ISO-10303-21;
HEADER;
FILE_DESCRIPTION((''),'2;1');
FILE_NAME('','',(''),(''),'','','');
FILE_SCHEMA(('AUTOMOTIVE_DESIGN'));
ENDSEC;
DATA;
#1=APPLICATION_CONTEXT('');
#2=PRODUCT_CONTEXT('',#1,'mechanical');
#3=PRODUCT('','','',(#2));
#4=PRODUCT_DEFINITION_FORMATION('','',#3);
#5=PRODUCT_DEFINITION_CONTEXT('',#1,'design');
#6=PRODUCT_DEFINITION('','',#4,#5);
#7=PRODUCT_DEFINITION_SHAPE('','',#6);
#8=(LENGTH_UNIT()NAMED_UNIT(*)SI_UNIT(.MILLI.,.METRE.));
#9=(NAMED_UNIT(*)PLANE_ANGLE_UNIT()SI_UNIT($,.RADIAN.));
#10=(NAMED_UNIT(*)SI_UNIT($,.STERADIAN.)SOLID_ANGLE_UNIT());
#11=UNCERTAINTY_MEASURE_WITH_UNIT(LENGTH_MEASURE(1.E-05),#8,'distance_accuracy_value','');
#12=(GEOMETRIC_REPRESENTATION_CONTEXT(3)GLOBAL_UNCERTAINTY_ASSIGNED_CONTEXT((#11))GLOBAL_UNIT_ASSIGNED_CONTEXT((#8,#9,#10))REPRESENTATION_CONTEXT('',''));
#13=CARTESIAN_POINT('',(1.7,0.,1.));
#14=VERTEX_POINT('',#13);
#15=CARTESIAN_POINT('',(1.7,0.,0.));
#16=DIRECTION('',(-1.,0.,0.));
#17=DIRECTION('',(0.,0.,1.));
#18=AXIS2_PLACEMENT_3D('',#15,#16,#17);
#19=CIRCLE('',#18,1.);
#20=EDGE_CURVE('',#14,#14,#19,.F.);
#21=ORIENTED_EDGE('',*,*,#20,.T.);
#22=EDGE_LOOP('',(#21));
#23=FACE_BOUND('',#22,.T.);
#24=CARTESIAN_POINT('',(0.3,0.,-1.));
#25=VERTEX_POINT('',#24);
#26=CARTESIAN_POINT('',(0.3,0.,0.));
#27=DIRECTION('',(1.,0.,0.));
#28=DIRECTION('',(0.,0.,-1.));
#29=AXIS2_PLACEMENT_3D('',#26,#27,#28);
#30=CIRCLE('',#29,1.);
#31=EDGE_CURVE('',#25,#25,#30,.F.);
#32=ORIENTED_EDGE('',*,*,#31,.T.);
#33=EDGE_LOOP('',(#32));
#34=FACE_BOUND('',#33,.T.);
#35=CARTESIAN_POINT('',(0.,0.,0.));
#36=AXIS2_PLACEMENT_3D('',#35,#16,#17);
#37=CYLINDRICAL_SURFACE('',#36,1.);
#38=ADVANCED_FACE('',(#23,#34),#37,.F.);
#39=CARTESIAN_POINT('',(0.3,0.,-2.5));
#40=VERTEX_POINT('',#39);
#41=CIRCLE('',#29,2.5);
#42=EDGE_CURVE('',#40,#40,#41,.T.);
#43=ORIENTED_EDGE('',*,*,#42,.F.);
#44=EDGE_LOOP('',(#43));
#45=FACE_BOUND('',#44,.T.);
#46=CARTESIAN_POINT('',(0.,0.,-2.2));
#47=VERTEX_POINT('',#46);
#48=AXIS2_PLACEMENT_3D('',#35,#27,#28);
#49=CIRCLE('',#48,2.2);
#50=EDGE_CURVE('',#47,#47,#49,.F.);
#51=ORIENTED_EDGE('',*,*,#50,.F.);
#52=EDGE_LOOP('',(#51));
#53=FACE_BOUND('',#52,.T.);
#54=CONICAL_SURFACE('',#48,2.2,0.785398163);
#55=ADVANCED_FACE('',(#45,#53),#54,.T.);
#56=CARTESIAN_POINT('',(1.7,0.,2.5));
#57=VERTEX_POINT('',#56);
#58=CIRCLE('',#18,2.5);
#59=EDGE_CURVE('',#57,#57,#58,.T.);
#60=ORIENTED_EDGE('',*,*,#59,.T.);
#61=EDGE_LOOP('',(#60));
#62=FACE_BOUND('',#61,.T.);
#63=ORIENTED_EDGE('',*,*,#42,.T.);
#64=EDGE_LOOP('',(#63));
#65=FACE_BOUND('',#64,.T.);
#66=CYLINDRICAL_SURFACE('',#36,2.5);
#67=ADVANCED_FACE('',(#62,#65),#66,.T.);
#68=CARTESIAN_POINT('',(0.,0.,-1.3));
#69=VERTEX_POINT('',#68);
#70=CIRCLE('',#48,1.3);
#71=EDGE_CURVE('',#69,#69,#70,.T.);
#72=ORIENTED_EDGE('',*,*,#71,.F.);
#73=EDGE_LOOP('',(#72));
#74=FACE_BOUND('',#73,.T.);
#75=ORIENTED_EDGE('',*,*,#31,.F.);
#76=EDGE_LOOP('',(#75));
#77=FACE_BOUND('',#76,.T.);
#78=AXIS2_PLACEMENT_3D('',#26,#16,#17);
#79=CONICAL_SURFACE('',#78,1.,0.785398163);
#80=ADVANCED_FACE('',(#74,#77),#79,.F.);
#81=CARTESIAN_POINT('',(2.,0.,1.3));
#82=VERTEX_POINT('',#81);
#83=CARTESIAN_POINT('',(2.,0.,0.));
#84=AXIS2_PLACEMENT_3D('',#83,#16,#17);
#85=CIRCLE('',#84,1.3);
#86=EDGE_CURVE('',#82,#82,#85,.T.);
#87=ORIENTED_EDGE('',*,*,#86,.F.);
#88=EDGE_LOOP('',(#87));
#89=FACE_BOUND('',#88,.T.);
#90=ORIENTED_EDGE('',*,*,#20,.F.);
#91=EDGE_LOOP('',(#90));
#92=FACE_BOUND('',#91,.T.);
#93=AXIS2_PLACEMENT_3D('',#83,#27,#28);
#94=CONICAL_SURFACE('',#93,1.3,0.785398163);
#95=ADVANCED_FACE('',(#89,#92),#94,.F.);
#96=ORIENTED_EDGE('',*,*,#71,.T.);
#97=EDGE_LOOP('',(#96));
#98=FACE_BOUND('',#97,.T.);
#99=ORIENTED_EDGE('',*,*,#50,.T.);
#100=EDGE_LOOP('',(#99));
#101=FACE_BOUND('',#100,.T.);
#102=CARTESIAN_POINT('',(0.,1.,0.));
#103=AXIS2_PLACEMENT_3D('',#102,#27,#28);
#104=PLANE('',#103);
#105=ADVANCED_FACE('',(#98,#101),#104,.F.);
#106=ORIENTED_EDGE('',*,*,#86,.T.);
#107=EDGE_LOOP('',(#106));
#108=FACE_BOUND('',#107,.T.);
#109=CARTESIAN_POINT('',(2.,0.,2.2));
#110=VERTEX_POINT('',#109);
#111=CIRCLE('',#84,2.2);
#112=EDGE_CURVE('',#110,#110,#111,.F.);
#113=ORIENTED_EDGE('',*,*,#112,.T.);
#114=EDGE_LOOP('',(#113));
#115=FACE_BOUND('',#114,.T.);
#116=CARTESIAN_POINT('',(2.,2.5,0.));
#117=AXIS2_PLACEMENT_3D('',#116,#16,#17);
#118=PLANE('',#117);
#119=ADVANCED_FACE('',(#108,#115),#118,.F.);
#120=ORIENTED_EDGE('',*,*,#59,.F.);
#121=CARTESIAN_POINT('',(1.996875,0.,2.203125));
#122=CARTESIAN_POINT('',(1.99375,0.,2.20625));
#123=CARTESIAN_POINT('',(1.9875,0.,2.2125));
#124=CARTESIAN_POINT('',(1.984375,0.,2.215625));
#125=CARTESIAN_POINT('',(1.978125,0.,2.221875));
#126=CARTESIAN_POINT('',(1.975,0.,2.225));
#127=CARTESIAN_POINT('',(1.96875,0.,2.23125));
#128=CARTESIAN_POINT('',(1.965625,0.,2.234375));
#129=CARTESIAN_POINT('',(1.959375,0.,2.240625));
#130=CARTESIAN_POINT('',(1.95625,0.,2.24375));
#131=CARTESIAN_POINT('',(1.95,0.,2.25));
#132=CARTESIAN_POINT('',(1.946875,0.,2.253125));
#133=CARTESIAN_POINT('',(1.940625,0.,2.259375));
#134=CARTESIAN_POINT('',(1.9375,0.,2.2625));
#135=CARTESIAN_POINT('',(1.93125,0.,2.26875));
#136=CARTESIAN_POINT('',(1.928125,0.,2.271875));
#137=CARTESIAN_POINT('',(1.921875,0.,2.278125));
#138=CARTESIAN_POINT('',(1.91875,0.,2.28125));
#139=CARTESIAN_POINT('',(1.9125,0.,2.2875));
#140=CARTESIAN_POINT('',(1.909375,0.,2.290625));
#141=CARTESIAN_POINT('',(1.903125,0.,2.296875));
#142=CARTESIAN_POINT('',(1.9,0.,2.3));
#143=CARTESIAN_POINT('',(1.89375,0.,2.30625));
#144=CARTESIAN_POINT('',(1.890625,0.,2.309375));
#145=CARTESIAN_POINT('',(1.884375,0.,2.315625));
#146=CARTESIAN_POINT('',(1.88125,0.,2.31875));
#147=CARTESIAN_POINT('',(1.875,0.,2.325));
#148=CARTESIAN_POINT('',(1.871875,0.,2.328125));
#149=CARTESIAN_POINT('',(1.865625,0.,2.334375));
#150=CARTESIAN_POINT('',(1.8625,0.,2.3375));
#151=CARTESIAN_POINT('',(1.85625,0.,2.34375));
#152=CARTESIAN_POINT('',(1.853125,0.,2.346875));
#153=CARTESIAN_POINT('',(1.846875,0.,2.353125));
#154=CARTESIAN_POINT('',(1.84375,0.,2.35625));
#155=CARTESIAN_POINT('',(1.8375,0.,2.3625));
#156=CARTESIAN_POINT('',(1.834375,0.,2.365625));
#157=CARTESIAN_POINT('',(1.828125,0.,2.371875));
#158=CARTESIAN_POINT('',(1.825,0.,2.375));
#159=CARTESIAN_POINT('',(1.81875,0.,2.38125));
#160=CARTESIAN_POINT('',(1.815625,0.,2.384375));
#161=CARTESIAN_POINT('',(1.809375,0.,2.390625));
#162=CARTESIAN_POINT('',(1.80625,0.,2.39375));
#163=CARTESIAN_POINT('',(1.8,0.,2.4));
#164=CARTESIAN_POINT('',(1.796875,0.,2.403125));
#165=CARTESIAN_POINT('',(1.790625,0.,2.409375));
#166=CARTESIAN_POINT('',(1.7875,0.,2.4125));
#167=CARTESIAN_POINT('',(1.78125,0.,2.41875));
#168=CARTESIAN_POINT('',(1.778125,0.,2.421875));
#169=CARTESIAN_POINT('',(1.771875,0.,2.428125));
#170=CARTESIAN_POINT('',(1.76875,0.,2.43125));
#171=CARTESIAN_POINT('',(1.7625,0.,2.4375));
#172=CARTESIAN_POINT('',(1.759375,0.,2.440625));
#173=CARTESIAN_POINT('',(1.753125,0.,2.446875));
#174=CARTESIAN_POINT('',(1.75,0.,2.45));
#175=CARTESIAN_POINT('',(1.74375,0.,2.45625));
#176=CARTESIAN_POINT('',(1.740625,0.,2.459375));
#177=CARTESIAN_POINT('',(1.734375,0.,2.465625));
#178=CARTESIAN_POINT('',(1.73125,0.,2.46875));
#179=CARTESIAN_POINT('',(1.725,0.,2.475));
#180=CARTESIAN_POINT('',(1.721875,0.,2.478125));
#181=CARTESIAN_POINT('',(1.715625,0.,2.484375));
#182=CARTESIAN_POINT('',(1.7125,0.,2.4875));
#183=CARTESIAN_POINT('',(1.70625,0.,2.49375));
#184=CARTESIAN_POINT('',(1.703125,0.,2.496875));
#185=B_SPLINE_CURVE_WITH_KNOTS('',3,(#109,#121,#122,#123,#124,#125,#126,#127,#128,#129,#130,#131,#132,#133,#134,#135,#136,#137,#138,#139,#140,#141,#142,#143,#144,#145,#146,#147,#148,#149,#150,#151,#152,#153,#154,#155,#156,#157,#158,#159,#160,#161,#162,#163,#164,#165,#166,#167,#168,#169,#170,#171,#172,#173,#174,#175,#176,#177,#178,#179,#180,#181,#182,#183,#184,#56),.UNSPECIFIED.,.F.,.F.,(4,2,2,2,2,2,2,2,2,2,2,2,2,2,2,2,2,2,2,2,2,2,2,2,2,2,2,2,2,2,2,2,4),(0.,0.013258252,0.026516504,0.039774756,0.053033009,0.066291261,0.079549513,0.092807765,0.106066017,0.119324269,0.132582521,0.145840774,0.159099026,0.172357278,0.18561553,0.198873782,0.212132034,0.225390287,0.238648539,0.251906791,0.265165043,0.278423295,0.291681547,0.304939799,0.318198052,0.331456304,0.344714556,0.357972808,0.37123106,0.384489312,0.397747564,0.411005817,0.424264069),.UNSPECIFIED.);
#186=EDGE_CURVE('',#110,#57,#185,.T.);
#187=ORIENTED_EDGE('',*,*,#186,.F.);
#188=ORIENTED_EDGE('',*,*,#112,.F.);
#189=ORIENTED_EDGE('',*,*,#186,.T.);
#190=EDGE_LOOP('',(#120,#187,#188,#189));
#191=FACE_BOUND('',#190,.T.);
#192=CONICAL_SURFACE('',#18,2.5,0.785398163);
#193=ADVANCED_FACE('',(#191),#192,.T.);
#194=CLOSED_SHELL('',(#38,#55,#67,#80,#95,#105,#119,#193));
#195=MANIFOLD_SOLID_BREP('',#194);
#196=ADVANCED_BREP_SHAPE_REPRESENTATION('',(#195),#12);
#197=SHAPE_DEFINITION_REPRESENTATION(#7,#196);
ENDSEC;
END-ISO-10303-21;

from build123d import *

# Parameters (mm, degrees)
SKICA1_W     = 2
SKICA1_H     = 1.5
ZKOSIT1_SIZE = 0.3


with BuildPart() as part:
    # Skica1 → Otočit kolem osy1 (revolve)
    with BuildSketch(Plane.XY, mode=Mode.PRIVATE) as oto_it_kolem_osy1_sk:
        with Locations((1, 1.75)):
            Rectangle(SKICA1_W, SKICA1_H)
    revolve(oto_it_kolem_osy1_sk.sketch.rotate(Axis((0, 0, 0), (1, 0, 0)), 90), axis=Axis((0, 0, 0), (1, 0, 0)))

    # Zkosit1
    zkosit1_edges = [part.edges().sort_by_distance(p)[0] for p in [
        (0, 0, -2.5),
        (0, 0, -1),
        (2, 0, -1),
        (2, 0, -2.5),
    ]]
    chamfer(zkosit1_edges, length=ZKOSIT1_SIZE)


solid = part.part
